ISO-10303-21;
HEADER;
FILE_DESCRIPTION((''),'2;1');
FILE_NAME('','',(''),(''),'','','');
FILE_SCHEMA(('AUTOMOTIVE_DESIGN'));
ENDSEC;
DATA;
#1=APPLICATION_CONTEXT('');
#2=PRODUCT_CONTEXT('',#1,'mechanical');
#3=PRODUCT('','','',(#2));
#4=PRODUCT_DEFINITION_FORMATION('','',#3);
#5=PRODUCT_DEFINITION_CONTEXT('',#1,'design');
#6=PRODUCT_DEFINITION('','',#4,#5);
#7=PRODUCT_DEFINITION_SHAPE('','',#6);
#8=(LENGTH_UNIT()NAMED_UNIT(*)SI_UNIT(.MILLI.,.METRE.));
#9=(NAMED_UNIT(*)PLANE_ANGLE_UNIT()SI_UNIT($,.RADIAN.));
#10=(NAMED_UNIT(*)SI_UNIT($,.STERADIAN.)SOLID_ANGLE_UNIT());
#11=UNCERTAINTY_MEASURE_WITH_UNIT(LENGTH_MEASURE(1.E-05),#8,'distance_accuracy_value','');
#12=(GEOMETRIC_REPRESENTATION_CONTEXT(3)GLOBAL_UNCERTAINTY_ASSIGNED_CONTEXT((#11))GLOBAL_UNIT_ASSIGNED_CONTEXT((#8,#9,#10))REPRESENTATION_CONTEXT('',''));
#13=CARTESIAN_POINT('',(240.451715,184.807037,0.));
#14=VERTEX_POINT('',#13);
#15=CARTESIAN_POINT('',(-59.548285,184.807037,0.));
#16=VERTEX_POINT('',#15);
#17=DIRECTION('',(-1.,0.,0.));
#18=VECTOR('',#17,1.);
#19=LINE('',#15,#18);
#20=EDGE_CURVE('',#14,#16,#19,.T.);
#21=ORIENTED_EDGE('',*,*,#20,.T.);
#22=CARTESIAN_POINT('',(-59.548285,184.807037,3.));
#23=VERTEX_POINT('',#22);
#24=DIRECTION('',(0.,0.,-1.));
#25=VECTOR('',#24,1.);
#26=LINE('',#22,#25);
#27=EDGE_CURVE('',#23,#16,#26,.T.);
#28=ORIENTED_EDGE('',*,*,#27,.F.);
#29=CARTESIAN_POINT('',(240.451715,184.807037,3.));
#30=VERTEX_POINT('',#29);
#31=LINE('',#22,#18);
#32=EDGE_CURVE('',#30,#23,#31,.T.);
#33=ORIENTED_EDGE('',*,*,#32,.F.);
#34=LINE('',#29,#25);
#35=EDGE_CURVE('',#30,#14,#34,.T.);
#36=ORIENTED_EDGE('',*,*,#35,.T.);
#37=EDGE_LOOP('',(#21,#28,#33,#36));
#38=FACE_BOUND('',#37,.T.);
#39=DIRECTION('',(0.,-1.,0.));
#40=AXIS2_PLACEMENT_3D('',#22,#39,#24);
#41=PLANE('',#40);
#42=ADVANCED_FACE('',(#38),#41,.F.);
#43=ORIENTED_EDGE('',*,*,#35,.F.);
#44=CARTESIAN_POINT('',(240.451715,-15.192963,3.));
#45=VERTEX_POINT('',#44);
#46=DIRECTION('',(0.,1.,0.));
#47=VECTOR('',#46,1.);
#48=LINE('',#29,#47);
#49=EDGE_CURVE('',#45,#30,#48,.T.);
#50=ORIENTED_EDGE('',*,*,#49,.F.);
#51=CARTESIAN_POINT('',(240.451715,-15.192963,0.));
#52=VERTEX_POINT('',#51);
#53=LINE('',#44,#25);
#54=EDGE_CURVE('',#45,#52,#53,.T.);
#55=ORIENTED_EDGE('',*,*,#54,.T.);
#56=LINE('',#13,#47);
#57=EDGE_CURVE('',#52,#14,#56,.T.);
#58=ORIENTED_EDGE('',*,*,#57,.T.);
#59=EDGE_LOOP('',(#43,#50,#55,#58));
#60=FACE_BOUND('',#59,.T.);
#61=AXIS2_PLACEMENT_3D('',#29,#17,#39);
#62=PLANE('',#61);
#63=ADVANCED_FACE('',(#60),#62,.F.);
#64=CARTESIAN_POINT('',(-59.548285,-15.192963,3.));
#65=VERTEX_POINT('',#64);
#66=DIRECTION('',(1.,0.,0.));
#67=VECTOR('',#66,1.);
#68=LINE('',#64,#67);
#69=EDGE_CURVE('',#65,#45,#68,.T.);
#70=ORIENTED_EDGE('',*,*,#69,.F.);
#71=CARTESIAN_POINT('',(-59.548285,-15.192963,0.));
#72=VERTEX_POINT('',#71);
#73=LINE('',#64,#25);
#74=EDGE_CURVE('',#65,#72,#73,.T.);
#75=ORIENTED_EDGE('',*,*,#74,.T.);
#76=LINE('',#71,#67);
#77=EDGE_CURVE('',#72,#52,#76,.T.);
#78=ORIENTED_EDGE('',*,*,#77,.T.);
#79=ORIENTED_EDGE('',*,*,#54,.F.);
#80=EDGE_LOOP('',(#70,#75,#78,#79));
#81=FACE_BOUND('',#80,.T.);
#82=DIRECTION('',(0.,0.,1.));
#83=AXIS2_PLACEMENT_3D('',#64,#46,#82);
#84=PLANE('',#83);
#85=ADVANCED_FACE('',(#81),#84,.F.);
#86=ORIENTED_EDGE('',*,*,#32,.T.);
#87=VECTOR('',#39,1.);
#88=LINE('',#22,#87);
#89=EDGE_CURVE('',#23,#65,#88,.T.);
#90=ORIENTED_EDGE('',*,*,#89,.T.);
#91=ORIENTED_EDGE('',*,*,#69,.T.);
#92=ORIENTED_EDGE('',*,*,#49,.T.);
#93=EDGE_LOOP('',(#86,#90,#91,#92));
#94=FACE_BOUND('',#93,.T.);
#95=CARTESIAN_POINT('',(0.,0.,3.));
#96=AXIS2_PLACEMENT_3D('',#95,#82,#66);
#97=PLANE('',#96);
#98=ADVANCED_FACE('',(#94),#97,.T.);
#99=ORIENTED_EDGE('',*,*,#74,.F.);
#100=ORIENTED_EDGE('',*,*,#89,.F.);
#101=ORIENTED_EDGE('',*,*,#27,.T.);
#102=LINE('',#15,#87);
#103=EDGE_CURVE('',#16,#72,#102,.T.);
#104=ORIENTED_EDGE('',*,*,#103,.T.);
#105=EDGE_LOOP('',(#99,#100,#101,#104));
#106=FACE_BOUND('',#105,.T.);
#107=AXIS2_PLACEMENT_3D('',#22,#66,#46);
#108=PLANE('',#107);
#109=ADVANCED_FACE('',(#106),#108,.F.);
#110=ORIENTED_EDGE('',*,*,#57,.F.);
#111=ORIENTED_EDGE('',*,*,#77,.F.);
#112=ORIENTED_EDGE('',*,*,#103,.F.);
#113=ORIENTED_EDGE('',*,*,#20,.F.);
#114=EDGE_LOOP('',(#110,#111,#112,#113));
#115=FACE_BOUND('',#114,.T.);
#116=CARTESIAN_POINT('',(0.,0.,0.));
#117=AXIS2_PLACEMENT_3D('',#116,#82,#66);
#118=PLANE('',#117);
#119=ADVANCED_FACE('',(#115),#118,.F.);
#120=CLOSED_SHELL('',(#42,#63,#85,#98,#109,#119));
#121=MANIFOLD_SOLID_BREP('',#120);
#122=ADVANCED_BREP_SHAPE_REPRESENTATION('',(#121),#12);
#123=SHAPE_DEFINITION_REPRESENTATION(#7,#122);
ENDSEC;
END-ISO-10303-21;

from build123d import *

# Parameters (mm, degrees)
ESQUISSE1_W        = 300
ESQUISSE1_H        = 200
BOSS_EXTRU_1_DEPTH = 3


with BuildPart() as part:
    # Esquisse1 → Boss.-Extru.1 (new body)
    with BuildSketch(Plane.XY):
        with Locations((90.451715498, 84.807037037)):
            Rectangle(ESQUISSE1_W, ESQUISSE1_H)
    extrude(amount=BOSS_EXTRU_1_DEPTH)


solid = part.part
